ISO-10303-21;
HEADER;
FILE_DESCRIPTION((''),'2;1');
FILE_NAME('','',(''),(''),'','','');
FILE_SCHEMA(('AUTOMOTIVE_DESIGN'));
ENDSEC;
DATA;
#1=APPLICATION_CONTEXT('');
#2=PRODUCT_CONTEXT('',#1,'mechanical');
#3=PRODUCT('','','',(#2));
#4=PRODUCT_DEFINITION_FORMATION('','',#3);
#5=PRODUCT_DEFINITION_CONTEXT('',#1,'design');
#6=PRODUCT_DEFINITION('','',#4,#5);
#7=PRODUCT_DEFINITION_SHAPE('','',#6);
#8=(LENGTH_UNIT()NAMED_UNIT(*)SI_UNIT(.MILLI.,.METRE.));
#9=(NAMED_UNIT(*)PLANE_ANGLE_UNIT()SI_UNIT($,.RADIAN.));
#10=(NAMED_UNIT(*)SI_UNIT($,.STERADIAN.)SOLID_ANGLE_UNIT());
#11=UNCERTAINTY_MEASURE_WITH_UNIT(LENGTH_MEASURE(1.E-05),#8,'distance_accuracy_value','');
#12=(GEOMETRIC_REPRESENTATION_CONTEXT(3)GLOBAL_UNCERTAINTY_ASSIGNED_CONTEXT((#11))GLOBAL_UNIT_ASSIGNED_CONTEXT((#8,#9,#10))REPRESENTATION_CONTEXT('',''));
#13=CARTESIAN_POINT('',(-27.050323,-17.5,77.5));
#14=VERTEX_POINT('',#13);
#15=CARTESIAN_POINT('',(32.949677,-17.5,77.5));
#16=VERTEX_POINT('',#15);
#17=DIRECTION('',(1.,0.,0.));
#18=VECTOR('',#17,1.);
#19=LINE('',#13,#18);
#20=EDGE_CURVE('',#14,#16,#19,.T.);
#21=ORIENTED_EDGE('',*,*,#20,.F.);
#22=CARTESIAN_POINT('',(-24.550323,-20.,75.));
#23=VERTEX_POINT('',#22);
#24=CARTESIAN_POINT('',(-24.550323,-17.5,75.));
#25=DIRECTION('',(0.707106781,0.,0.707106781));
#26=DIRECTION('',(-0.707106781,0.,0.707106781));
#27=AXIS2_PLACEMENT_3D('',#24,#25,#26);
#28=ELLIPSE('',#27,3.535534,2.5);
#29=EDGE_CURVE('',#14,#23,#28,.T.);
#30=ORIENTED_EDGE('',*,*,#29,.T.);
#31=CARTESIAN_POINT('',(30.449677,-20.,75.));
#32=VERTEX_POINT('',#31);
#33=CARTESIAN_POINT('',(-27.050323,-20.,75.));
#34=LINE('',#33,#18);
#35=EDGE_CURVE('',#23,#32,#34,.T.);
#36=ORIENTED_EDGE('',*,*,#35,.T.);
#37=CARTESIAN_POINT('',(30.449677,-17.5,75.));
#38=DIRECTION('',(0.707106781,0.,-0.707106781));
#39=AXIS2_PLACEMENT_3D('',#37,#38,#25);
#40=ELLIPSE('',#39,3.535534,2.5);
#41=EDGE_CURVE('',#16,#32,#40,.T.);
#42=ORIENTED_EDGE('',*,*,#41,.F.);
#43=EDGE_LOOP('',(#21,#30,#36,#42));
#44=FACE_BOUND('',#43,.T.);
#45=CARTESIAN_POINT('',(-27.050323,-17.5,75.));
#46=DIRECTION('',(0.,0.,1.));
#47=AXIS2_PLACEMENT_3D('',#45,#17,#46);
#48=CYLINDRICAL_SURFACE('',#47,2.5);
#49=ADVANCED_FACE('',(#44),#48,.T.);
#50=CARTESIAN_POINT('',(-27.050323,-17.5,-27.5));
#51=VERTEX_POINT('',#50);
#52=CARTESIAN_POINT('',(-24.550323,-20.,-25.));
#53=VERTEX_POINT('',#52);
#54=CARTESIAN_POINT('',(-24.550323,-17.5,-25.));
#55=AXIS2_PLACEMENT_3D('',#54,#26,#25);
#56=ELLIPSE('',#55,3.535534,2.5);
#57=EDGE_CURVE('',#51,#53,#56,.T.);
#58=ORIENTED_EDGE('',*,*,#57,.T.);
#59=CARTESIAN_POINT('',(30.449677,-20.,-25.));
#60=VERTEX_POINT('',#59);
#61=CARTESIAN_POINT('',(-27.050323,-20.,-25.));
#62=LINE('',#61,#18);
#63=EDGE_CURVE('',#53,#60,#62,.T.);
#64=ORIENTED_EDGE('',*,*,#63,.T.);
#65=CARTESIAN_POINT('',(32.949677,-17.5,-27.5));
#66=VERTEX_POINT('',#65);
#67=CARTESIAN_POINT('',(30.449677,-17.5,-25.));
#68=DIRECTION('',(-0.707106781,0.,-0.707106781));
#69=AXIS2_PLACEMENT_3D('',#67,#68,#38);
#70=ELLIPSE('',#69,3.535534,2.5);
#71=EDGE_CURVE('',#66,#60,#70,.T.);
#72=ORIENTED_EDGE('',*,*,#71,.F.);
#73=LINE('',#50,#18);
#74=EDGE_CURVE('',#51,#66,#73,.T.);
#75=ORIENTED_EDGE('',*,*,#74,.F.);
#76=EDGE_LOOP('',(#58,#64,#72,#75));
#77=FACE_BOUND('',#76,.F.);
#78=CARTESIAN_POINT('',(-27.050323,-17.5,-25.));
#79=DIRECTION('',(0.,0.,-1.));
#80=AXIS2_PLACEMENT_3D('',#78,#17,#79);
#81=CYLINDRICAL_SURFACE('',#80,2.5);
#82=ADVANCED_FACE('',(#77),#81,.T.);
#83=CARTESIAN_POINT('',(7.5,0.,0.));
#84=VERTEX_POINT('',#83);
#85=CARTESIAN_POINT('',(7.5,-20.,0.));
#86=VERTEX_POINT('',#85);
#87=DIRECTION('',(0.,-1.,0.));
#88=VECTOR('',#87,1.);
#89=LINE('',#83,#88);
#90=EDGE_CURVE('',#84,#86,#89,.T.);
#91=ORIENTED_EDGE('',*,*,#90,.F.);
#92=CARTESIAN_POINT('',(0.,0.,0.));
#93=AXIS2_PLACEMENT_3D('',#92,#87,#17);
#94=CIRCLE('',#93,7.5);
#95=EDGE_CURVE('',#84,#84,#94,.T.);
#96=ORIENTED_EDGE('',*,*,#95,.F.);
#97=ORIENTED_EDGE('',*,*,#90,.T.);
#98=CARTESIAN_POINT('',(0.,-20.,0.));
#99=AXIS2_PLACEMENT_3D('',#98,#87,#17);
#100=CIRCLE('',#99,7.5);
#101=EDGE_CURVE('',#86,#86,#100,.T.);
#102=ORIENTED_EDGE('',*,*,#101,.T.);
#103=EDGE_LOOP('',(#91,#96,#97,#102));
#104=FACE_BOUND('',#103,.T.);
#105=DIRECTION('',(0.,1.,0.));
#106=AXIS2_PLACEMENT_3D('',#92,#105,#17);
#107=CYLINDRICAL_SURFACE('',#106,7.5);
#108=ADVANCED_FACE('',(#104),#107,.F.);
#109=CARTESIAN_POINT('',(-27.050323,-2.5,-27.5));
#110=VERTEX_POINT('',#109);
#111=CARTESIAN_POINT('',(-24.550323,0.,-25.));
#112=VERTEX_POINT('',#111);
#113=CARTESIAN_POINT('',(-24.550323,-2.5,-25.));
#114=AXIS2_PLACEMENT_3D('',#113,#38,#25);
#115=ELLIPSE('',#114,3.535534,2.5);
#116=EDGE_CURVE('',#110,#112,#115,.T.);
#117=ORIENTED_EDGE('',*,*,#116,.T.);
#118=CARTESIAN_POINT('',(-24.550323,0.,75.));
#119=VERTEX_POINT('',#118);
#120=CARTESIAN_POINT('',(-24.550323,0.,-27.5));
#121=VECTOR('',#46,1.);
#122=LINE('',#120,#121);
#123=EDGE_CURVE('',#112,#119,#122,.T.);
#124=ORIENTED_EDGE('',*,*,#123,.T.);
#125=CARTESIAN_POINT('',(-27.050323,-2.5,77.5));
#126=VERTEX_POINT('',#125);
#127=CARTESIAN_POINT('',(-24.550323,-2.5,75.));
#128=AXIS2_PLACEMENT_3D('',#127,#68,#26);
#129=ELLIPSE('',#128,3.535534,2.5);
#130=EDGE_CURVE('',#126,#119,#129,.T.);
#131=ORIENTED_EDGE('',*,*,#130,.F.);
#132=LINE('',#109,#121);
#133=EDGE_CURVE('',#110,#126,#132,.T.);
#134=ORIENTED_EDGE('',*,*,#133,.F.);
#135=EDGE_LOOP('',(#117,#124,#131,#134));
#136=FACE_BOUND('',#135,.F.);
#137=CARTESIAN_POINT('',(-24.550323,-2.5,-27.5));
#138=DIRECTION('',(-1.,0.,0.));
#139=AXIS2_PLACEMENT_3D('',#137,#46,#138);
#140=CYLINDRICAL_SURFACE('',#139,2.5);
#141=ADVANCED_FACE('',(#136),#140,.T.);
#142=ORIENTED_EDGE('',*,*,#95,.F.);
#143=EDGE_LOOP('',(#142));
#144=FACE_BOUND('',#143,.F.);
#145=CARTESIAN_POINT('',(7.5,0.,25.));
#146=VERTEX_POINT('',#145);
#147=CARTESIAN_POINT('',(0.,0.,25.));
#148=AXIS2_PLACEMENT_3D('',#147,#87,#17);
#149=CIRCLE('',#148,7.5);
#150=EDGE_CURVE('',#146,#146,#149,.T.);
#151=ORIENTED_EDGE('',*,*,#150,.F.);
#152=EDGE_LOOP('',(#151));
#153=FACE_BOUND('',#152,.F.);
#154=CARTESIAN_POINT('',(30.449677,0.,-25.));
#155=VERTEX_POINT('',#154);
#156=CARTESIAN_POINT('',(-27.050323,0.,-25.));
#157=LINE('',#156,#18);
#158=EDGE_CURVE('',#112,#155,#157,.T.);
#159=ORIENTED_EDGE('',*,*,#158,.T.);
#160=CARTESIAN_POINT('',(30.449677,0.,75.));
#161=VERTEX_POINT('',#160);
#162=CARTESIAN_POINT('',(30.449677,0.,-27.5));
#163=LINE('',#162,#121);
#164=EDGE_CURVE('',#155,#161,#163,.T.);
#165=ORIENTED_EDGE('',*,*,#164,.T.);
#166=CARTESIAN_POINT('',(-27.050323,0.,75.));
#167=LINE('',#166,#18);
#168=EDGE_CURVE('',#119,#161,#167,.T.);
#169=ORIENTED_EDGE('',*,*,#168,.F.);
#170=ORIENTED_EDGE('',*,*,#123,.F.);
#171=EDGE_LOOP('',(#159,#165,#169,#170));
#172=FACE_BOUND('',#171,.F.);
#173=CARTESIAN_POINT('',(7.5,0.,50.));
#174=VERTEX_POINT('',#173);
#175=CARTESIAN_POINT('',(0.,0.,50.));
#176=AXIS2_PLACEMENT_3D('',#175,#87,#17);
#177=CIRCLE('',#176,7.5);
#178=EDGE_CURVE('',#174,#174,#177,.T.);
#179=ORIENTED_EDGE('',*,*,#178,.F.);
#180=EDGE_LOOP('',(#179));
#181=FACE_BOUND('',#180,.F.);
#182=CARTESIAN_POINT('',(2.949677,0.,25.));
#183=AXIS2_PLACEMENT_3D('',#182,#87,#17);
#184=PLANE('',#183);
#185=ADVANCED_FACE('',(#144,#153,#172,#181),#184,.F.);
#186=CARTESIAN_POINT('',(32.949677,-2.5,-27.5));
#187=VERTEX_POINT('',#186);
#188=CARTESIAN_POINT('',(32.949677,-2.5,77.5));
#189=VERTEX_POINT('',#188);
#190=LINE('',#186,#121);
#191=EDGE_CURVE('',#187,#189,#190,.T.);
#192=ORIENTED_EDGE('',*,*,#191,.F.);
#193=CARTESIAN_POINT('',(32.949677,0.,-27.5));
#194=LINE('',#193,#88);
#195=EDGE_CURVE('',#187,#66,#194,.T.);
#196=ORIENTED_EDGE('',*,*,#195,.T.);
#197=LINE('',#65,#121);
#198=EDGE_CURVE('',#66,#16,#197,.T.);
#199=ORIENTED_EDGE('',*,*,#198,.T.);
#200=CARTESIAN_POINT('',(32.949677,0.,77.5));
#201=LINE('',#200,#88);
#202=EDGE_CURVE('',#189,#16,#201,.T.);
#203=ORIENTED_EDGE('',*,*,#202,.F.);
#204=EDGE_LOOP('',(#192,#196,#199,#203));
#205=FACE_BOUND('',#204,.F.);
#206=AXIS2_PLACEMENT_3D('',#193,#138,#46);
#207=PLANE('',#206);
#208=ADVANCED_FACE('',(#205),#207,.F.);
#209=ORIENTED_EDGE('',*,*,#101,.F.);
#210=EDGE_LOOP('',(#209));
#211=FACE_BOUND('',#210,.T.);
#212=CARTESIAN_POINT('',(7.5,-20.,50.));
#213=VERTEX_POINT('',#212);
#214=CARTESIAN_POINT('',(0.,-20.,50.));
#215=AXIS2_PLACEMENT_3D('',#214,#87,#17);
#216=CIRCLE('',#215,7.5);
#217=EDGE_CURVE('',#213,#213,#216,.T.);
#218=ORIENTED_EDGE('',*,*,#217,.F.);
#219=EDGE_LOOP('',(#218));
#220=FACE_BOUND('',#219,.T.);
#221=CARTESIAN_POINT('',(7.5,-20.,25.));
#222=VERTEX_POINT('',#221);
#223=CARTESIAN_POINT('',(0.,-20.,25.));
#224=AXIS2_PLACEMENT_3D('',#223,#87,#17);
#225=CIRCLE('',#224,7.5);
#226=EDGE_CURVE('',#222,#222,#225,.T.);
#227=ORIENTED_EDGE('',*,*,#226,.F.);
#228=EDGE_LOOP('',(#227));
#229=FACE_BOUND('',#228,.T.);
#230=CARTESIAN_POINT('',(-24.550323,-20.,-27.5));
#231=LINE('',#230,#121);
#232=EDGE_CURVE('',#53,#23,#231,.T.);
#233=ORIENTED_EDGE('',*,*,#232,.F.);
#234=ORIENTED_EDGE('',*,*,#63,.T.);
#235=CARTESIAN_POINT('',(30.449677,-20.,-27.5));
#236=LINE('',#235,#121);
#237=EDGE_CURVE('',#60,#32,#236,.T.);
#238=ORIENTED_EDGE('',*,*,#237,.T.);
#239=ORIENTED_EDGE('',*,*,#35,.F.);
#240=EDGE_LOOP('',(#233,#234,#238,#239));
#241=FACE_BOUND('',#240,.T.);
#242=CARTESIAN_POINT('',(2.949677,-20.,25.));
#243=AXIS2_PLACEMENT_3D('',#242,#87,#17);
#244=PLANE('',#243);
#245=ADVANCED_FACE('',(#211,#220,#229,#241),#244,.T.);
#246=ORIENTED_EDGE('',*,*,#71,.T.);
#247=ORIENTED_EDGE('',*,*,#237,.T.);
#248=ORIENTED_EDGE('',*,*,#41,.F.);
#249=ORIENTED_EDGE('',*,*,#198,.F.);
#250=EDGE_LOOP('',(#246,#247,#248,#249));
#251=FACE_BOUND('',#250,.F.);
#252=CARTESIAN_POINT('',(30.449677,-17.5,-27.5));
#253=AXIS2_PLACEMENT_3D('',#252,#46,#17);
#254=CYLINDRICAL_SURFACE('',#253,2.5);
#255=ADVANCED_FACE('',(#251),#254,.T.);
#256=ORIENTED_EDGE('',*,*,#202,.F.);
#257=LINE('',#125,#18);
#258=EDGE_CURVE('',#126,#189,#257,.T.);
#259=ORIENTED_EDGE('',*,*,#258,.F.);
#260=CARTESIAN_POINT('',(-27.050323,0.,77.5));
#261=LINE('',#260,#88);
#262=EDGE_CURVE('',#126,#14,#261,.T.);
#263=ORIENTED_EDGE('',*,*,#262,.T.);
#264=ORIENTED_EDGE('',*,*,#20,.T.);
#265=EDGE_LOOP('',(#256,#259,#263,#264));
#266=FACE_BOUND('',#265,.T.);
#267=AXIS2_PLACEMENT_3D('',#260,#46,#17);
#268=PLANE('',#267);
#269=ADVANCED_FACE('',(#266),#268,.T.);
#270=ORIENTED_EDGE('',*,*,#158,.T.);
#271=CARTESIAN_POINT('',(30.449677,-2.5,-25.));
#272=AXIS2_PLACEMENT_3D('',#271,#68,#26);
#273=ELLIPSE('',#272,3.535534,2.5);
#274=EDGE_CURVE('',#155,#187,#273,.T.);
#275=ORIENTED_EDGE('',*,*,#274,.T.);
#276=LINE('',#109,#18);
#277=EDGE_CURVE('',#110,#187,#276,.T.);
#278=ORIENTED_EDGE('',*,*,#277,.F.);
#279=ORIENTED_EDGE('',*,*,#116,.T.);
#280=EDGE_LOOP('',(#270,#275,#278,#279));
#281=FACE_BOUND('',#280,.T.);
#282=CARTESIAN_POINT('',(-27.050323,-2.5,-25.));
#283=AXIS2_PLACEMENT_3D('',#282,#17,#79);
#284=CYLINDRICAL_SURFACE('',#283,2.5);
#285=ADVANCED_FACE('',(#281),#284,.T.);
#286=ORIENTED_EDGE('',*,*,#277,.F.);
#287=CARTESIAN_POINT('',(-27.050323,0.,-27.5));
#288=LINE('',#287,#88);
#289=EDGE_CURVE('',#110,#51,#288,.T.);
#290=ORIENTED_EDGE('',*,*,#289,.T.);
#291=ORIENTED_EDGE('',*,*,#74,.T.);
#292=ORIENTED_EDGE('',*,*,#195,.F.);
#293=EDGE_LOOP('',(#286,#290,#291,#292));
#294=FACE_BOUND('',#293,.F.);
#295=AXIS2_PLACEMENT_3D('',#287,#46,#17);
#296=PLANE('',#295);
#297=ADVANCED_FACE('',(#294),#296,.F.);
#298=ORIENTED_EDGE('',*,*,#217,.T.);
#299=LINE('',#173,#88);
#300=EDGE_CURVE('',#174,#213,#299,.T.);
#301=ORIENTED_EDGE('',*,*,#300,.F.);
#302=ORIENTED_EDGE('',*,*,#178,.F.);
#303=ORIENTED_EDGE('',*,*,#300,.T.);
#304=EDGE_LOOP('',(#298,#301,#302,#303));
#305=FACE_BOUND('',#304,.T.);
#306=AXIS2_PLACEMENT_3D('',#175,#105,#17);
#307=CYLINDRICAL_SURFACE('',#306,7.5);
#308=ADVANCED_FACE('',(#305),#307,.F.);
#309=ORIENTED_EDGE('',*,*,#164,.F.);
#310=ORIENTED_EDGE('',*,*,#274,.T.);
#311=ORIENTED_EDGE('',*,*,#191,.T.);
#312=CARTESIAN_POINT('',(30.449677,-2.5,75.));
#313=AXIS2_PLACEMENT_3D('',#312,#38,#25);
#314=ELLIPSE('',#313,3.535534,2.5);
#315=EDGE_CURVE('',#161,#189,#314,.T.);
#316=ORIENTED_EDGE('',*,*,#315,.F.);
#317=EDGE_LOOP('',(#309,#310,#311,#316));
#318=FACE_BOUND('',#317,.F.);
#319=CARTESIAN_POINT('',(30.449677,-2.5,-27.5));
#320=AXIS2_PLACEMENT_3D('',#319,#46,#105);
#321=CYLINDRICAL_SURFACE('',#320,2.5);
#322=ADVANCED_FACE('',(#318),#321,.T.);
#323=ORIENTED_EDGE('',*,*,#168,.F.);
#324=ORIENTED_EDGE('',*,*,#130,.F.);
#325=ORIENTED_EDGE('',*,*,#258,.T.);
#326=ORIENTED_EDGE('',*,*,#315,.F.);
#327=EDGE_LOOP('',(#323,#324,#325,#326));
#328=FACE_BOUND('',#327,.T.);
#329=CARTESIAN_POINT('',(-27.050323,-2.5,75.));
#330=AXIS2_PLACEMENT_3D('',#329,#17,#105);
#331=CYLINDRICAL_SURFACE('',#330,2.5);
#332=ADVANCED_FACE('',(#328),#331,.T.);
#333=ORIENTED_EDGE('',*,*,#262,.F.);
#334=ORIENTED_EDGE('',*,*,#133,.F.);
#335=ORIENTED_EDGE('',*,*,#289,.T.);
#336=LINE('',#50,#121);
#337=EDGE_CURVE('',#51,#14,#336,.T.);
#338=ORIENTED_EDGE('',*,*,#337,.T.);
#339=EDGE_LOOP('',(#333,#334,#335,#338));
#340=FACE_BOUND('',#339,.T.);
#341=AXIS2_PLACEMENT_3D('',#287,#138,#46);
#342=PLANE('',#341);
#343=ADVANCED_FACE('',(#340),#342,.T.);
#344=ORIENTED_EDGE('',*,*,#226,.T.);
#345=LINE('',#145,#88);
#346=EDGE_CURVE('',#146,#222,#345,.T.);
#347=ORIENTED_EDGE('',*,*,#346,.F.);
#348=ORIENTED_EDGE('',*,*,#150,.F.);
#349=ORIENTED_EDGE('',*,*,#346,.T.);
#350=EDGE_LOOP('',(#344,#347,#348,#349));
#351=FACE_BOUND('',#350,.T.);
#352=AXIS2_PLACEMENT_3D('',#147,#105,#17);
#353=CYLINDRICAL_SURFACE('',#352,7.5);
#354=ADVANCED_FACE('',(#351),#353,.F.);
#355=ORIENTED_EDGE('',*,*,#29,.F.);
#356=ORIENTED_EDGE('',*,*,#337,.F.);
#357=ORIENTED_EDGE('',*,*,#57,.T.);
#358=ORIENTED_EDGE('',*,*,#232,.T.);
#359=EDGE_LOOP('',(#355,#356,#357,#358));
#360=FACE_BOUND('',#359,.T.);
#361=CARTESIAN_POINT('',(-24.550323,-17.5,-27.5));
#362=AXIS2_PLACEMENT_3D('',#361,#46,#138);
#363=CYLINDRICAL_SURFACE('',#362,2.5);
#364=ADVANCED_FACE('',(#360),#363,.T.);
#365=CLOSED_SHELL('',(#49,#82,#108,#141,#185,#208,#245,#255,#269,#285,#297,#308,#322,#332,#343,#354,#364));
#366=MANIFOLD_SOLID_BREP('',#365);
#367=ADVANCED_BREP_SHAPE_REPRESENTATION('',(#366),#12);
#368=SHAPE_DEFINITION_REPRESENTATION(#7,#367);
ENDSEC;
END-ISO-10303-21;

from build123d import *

# Parameters (mm, degrees)
F0_W     = 60
F0_H     = 105
F0_R     = 7.5
F1_DEPTH = 20
F2_R     = 2.5
F3_R     = 2.5


with BuildPart() as f1:
    # F0 (on Front) → F1 (new body)
    with BuildSketch(Plane.XZ):
        with Locations((2.949677, 25)):
            Rectangle(F0_W, F0_H)
        Circle(F0_R, mode=Mode.SUBTRACT)
        with Locations((0, 25)):
            Circle(F0_R, mode=Mode.SUBTRACT)
        with Locations((0, 50)):
            Circle(F0_R, mode=Mode.SUBTRACT)
    extrude(amount=F1_DEPTH)

    # F2
    f2_edges = [f1.edges().sort_by_distance(p)[0] for p in [
        (-27.050323, -20, 25),
        (2.949677, -20, -27.5),
        (32.949677, -20, 25),
        (2.949677, -20, 77.5),
    ]]
    fillet(f2_edges, radius=F2_R)

    # F3
    f3_edges = [f1.edges().sort_by_distance(p)[0] for p in [
        (32.949677, 0, 25),
        (2.949677, 0, -27.5),
        (-27.050323, 0, 25),
        (2.949677, 0, 77.5),
    ]]
    fillet(f3_edges, radius=F3_R)


solid = f1.part
